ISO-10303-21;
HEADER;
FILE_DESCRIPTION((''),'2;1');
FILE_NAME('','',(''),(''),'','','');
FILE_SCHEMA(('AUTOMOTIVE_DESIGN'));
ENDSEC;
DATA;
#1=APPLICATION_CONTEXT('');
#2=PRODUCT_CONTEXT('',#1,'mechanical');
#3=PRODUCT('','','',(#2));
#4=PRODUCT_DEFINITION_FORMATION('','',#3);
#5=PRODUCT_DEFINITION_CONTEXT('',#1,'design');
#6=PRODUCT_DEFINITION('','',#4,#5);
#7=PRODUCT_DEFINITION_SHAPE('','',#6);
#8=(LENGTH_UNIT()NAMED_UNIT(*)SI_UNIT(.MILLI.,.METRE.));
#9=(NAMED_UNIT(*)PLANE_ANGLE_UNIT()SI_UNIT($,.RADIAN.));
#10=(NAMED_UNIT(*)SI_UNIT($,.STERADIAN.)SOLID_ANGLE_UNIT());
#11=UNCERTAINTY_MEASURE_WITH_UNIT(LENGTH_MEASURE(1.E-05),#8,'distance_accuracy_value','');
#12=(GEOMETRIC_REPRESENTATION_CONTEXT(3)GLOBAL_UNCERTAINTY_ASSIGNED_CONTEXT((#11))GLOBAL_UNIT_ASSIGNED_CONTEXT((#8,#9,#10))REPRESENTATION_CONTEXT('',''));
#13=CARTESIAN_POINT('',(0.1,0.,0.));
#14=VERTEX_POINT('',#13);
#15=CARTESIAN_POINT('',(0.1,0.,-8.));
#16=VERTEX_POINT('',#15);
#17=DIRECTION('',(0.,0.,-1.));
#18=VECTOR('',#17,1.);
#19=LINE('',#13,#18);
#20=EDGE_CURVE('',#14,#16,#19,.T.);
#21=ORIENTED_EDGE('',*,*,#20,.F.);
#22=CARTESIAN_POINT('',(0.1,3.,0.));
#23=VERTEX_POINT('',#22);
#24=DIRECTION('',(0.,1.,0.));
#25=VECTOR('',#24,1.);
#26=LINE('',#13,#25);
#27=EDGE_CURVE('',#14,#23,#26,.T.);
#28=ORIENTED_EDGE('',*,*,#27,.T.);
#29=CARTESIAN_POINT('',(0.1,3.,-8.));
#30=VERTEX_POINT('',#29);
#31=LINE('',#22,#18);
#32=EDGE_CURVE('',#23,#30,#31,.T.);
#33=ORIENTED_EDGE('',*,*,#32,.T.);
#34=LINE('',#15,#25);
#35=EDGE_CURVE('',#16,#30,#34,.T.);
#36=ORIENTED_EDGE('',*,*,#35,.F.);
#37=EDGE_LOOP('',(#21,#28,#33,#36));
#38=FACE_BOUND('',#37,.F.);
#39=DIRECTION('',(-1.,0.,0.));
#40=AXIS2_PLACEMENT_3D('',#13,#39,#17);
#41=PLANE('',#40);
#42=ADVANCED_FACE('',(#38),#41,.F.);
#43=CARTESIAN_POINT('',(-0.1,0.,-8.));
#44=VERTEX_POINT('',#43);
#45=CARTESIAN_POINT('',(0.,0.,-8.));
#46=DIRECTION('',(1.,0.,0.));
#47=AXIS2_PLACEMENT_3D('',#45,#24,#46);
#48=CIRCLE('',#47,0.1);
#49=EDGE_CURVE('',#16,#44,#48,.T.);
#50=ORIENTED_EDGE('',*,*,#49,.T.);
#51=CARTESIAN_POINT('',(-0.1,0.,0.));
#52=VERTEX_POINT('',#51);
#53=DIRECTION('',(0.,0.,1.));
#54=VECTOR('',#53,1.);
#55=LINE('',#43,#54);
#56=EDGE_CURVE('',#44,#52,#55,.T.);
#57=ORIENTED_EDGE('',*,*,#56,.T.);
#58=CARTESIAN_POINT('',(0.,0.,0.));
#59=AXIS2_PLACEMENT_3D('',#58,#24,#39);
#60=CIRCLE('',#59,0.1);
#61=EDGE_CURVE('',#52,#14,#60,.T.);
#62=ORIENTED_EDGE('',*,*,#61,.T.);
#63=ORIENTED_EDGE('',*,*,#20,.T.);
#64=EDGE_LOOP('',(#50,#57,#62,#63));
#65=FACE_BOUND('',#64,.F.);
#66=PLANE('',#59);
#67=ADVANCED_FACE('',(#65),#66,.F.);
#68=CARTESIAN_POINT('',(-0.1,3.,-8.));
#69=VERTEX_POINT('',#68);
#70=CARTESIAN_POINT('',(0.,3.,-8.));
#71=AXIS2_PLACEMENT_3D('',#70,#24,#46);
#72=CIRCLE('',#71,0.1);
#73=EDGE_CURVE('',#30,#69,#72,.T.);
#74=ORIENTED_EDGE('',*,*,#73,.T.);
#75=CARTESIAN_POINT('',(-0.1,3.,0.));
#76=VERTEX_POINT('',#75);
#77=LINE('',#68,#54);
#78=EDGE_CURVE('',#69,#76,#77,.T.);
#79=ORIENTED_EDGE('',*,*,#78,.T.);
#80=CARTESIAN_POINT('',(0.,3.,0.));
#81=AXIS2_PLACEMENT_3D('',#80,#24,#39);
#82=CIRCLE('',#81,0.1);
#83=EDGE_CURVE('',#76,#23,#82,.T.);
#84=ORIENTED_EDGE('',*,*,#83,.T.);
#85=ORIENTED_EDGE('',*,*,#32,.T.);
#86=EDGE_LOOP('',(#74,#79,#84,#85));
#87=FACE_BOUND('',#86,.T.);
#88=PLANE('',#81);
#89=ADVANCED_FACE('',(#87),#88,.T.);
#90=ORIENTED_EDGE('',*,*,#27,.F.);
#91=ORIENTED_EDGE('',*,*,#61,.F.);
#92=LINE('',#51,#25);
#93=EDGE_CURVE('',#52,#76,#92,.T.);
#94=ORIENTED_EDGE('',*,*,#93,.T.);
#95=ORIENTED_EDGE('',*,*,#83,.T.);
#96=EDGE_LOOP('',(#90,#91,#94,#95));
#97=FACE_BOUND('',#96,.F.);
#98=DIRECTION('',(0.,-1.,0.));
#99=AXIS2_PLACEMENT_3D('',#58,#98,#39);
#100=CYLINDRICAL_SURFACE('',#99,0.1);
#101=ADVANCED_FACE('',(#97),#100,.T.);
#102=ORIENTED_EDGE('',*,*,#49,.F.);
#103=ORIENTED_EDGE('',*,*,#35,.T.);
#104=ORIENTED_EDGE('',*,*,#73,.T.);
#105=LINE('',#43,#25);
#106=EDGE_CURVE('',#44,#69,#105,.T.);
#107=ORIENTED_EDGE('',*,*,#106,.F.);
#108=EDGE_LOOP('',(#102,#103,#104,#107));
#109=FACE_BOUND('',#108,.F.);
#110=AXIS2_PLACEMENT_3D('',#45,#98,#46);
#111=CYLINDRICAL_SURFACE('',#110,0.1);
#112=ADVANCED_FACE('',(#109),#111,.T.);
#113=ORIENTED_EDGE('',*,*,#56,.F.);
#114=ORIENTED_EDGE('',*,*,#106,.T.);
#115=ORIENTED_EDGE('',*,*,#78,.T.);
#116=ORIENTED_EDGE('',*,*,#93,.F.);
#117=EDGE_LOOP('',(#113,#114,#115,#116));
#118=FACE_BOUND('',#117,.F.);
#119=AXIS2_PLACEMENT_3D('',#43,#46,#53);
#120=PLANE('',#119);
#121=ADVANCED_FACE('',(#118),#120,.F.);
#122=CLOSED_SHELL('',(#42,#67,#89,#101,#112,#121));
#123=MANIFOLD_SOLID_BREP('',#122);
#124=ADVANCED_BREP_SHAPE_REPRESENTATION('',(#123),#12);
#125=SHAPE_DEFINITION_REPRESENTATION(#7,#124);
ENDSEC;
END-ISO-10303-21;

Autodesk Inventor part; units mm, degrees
ref_plane "YZ Plane" through (0, 0, 0) normal (1, 0, 0) x (0, 1, 0)
ref_plane "XZ Plane" through (0, 0, 0) normal (0, 1, 0) x (-1, 0, 0)
ref_plane "XY Plane" through (0, 0, 0) normal (0, 0, 1) x (1, 0, 0)
sketch "Sketch1" plane through (0, 0, 0) normal (0, 1, 0) x (-1, 0, 0)
  line L0 (0, 0) -> (0, -8) construction
  line L1 (-0.1, 0) -> (-0.1, -8)
  line L2 (0.1, -8) -> (0.1, 0)
  arc A0 (0.1, 0) -> (-0.1, 0) centre (0, 0) ccw
  arc A1 (-0.1, -8) -> (0.1, -8) centre (0, -8) ccw
  point P0 (0, -4)
  dimension "d0" = 8
  dimension "d1" = 0.2
extrude "Extrusion1" add sketch "Sketch1" along normal blind 3
properties part number "fin_8mm"
